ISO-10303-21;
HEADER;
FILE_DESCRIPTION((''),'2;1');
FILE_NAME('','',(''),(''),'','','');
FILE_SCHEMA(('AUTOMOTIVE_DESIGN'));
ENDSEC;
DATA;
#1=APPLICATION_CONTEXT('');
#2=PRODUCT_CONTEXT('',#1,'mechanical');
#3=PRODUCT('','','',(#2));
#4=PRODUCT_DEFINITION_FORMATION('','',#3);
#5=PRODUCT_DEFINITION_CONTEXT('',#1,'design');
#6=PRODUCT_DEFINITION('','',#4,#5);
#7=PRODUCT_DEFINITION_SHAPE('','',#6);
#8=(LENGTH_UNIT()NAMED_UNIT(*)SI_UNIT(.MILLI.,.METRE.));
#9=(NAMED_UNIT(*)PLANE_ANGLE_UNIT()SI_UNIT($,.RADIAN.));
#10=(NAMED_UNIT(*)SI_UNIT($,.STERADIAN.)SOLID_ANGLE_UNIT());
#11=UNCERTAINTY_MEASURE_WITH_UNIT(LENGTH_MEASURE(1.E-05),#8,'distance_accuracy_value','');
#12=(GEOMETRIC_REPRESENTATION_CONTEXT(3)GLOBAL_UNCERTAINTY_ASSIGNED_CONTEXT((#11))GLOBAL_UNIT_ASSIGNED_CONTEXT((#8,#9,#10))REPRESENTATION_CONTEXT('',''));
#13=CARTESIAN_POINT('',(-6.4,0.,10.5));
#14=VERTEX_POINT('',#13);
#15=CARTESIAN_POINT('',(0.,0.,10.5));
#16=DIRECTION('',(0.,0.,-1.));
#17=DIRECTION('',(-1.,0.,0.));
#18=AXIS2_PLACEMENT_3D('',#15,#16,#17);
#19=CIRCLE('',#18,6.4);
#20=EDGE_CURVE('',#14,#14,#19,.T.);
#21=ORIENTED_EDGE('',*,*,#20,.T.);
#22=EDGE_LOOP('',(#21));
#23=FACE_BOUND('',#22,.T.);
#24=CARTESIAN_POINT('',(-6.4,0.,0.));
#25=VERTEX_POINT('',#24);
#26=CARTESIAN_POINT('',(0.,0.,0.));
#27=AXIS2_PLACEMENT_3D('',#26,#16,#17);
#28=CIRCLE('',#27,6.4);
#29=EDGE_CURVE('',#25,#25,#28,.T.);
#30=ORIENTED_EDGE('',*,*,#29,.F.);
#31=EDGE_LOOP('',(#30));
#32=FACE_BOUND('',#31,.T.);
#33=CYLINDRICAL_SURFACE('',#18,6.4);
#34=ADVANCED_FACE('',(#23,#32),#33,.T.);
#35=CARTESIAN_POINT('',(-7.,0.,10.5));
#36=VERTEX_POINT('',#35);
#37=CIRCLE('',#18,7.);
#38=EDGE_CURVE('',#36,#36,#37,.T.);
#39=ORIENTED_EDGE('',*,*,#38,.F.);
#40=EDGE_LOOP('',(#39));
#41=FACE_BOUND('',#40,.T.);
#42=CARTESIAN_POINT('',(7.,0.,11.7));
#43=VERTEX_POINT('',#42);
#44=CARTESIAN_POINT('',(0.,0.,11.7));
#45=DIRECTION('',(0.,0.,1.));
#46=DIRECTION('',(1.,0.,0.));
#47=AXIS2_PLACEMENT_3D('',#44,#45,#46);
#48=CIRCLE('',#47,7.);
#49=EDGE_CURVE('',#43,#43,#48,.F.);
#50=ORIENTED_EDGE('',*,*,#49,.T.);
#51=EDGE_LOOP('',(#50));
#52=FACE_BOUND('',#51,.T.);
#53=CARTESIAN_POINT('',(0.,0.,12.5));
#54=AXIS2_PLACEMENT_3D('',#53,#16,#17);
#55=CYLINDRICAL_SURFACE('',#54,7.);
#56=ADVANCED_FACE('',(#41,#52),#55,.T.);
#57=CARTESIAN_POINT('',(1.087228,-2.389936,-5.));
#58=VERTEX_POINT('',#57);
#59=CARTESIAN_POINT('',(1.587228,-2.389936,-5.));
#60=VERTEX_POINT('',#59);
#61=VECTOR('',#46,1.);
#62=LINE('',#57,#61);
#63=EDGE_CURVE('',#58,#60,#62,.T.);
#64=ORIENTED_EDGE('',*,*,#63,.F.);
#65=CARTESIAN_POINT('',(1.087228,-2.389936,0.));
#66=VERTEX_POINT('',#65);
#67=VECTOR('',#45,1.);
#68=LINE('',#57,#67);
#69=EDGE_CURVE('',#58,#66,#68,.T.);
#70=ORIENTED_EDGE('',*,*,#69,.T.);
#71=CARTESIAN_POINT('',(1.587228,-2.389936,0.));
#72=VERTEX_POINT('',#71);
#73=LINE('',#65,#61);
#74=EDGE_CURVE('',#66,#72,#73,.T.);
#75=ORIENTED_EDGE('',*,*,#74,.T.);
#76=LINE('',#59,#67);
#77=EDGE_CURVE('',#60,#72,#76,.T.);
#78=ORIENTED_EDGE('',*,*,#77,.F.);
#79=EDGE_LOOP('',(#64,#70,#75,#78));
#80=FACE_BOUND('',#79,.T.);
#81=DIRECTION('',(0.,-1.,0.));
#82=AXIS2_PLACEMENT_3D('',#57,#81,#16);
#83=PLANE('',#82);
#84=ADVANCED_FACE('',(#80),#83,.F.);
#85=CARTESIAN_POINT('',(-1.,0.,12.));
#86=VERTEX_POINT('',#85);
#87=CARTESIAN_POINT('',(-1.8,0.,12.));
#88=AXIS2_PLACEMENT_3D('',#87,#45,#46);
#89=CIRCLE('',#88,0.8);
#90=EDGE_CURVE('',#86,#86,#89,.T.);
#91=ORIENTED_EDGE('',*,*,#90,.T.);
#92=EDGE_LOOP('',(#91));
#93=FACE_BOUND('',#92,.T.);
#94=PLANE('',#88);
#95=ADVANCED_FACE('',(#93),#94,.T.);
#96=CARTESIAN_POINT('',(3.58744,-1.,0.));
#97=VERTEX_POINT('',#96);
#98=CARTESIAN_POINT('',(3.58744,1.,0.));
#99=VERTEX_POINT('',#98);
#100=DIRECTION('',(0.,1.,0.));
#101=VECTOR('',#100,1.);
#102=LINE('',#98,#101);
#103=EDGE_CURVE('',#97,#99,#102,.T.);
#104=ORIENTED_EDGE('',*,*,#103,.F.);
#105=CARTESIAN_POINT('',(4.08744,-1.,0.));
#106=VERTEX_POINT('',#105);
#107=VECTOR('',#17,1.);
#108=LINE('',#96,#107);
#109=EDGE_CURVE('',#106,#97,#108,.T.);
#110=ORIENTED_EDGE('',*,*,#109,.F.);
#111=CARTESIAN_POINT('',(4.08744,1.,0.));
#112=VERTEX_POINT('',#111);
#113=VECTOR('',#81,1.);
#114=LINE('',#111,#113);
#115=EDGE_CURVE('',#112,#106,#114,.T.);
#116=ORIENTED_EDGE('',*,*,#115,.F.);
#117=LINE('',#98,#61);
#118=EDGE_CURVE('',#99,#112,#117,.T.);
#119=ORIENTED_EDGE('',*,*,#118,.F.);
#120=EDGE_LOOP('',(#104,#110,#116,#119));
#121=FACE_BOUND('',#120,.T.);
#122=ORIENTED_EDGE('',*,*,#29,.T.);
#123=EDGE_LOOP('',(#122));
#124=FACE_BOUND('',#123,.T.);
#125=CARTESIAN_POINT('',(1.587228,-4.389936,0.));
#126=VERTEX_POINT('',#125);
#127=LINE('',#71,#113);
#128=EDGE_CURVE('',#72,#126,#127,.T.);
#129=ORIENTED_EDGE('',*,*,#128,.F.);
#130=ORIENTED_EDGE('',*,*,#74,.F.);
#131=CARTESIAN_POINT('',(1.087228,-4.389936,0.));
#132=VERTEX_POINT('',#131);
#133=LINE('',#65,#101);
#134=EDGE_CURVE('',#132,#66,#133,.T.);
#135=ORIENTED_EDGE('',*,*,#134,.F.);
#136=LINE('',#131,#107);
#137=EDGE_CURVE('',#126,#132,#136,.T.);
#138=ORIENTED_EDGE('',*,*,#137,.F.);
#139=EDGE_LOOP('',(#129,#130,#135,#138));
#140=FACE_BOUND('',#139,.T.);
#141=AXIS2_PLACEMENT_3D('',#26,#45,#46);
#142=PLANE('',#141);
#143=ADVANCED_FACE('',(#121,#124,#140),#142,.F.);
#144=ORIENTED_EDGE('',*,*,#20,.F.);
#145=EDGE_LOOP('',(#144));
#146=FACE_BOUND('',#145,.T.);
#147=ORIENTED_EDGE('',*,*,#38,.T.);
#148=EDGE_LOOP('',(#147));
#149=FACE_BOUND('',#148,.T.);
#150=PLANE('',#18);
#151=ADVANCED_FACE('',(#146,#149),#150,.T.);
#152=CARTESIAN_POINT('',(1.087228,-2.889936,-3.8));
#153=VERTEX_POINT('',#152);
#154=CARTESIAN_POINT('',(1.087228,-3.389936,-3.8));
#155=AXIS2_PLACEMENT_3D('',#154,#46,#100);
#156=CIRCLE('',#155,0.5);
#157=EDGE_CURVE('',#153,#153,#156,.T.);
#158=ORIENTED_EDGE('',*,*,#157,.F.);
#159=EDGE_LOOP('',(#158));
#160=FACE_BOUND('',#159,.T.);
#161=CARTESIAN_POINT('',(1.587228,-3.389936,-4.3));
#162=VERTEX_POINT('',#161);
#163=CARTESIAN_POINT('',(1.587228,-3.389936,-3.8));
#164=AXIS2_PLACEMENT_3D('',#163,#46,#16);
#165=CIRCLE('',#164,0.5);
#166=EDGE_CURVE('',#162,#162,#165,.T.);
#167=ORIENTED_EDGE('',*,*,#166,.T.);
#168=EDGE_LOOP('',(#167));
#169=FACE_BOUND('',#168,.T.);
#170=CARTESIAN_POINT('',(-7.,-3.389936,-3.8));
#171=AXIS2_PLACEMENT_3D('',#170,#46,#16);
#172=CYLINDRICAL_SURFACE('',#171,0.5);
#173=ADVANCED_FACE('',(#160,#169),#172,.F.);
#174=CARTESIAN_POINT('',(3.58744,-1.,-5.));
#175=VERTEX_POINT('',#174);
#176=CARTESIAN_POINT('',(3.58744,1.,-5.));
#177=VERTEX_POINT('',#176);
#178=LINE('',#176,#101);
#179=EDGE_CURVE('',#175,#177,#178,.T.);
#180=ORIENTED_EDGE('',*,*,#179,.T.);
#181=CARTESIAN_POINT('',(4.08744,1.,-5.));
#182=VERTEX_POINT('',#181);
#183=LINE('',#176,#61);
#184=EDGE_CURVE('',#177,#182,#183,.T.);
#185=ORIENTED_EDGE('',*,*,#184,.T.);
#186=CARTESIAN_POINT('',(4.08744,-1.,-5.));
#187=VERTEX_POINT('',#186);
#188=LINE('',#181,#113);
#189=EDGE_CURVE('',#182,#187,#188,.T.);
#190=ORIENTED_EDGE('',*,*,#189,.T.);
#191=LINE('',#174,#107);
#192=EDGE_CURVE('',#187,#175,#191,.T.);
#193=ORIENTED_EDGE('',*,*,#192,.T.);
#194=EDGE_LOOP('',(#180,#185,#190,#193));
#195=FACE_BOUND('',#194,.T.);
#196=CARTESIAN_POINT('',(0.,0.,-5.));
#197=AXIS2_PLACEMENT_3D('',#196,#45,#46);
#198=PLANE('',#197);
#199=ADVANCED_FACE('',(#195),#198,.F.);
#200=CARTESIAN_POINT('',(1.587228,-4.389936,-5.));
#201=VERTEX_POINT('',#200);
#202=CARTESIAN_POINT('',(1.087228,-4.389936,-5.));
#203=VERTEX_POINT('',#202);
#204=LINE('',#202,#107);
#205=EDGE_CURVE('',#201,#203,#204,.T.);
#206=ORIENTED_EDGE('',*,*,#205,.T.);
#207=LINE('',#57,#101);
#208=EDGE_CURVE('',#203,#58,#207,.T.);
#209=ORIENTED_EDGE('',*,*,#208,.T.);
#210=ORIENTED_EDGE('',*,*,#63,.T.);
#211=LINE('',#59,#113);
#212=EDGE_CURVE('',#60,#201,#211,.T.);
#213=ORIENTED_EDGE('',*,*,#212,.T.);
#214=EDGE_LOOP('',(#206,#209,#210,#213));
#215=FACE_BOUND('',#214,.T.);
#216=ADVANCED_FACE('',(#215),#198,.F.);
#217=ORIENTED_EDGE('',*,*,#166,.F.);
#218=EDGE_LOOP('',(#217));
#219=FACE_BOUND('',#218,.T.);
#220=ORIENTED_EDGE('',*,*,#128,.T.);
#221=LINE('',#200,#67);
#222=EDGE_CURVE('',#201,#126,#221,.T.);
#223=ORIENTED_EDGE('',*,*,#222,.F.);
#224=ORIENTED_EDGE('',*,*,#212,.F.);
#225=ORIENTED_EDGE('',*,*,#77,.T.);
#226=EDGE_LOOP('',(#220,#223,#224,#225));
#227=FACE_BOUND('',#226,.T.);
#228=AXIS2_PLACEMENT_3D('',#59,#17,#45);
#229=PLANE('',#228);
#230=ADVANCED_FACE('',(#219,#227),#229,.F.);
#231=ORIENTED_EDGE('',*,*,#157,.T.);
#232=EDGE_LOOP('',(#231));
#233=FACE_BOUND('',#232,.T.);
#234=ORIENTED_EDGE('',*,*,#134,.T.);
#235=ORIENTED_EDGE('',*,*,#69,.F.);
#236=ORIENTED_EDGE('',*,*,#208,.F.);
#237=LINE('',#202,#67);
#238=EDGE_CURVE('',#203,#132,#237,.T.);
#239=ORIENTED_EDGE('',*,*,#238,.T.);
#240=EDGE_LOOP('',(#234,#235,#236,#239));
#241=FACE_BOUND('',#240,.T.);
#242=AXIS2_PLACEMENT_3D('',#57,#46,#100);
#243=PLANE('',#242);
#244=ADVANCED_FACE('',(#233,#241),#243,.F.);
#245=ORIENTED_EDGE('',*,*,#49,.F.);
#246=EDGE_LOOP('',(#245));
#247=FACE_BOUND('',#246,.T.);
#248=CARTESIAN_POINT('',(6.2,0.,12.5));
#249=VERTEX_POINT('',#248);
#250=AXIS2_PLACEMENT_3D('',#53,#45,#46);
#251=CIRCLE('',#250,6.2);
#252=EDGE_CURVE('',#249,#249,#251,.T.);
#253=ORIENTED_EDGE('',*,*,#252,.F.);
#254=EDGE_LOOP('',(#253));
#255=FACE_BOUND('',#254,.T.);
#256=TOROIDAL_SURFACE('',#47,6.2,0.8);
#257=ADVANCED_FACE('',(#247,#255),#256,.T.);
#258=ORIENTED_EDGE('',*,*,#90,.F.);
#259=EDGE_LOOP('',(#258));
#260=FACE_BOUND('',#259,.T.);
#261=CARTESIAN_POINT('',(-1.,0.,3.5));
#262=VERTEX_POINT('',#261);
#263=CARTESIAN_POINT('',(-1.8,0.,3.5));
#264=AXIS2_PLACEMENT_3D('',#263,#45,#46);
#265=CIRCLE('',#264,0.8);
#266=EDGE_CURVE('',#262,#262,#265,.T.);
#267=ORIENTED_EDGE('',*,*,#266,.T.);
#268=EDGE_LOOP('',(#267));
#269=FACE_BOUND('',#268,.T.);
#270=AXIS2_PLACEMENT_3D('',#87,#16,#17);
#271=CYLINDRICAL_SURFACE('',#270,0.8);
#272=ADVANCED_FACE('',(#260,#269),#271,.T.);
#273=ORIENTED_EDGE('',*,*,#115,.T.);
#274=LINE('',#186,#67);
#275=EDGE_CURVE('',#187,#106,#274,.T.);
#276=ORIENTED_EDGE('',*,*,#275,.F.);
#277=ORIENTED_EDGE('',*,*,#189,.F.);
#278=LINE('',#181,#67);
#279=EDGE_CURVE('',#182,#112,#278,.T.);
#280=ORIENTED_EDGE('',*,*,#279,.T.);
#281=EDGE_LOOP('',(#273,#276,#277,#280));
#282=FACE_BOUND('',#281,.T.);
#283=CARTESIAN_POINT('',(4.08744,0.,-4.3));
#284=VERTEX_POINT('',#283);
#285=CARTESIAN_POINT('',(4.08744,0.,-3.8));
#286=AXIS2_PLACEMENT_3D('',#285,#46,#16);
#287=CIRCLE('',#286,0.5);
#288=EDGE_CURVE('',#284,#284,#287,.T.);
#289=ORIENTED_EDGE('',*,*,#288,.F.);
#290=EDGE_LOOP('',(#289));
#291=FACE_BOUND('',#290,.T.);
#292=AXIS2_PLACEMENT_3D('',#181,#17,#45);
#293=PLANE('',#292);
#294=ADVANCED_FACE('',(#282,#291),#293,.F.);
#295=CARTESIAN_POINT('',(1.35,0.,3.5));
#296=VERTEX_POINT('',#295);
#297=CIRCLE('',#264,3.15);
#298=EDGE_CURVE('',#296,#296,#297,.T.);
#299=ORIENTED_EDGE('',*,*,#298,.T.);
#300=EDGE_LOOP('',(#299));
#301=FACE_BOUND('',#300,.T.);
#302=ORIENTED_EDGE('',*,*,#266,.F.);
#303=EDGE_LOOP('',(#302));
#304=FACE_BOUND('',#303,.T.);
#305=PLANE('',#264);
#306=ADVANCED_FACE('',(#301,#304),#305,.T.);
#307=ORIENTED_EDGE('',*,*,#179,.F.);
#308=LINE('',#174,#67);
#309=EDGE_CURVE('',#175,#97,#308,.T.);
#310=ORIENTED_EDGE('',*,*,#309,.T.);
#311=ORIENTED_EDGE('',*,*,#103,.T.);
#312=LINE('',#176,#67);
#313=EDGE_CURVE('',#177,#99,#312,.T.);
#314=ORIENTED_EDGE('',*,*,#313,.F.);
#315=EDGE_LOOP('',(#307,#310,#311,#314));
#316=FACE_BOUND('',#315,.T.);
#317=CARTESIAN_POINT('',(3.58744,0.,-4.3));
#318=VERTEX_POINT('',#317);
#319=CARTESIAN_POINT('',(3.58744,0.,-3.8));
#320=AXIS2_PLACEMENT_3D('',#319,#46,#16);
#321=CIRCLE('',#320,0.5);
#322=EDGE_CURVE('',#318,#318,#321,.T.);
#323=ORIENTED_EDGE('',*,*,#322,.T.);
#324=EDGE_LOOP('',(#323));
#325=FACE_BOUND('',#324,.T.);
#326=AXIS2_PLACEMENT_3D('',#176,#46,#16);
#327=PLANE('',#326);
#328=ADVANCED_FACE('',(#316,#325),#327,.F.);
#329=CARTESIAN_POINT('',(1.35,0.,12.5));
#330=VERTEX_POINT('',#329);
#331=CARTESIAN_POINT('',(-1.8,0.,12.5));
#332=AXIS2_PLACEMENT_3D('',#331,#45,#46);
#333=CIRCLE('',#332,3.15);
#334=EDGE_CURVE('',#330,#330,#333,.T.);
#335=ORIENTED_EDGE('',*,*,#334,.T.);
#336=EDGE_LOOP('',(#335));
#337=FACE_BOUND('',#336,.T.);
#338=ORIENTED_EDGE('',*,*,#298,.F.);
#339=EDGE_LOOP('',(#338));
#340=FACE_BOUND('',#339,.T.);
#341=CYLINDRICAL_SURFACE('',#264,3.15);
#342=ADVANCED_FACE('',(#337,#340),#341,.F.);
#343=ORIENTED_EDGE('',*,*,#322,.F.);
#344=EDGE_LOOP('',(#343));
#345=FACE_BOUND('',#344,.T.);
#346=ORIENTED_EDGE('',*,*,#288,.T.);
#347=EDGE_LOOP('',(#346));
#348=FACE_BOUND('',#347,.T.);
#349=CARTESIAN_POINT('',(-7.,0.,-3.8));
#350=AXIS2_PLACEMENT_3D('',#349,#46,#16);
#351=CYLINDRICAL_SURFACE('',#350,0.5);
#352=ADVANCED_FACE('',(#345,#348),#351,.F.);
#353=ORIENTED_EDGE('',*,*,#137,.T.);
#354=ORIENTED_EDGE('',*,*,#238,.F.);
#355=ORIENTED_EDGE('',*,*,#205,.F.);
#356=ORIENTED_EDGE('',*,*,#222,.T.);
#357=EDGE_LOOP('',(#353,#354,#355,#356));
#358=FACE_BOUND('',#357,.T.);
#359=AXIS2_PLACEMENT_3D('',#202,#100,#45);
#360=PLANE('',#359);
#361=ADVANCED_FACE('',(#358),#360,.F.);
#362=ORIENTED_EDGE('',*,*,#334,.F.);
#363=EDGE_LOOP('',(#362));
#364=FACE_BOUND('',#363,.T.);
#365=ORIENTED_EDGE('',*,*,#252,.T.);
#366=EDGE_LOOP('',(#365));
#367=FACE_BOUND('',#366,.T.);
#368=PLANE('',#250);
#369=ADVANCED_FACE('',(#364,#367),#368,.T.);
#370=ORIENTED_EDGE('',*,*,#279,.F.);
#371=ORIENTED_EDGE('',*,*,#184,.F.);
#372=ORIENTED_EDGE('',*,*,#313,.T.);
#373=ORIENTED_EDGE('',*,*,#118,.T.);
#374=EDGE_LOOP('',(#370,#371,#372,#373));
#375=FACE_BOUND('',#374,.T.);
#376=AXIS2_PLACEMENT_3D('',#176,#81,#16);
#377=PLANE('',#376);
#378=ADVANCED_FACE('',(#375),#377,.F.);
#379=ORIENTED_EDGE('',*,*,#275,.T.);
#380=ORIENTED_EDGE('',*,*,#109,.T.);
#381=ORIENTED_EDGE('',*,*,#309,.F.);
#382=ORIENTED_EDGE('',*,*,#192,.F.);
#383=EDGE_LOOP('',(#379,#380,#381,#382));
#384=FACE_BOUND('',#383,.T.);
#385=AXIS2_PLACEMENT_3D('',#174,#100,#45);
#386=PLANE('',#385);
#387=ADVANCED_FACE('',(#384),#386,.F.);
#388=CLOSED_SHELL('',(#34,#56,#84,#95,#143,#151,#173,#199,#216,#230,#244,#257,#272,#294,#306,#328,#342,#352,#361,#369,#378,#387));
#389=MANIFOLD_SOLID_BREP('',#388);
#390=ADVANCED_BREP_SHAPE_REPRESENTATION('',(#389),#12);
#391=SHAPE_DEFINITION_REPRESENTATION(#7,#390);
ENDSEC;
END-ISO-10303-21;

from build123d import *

# Parameters (mm, degrees)
ESQUISSE1_R             = 7
BOSS_EXTRU_1_DEPTH      = 12.5
ESQUISSE2_R             = 7
ESQUISSE2_R_2           = 6.4
ENL_V_MAT_EXTRU_1_DEPTH = 10.5
ESQUISSE4_R             = 3.15
ENL_V_MAT_EXTRU_3_DEPTH = 9
ESQUISSE5_R             = 0.8
BOSS_EXTRU_2_DEPTH      = 8.5
ESQUISSE6_W             = 0.5
ESQUISSE6_H             = 2
BOSS_EXTRU_3_DEPTH      = 5
ESQUISSE7_R             = 0.5
ENL_V_MAT_EXTRU_4_DEPTH = 9.587227572
ESQUISSE8_R             = 0.5
ENL_V_MAT_EXTRU_5_DEPTH = 12.087439586
CONG_7_R                = 0.8


with BuildPart() as part:
    # Esquisse1 → Boss.-Extru.1 (new body)
    with BuildSketch(Plane.XY):
        Circle(ESQUISSE1_R)
    extrude(amount=BOSS_EXTRU_1_DEPTH)

    # Esquisse2 → Enlèv. mat.-Extru.1 (cut)
    with BuildSketch(Plane(origin=(0, 0, 0), x_dir=(-1, 0, 0), z_dir=(0, 0, -1))):
        Circle(ESQUISSE2_R)
        Circle(ESQUISSE2_R_2, mode=Mode.SUBTRACT)
    extrude(amount=-ENL_V_MAT_EXTRU_1_DEPTH, mode=Mode.SUBTRACT)

    # Esquisse4 → Enlèv. mat.-Extru.3 (cut)
    with BuildSketch(Plane.XY.offset(12.5)):
        with Locations((-1.8, 0)):
            Circle(ESQUISSE4_R)
    extrude(amount=-ENL_V_MAT_EXTRU_3_DEPTH, mode=Mode.SUBTRACT)

    # Esquisse5 → Boss.-Extru.2 (add)
    with BuildSketch(Plane.XY.offset(3.5)):
        with Locations((-1.8, 0)):
            Circle(ESQUISSE5_R)
    extrude(amount=BOSS_EXTRU_2_DEPTH)

    # Esquisse6 → Boss.-Extru.3 (add)
    with BuildSketch(Plane(origin=(0, 0, 0), x_dir=(-1, 0, 0), z_dir=(0, 0, -1))):
        with Locations((-3.837439586, 0)):
            Rectangle(ESQUISSE6_W, ESQUISSE6_H)
        with Locations((-1.337227572, -3.389935619)):
            Rectangle(ESQUISSE6_W, ESQUISSE6_H)
    extrude(amount=BOSS_EXTRU_3_DEPTH)

    # Esquisse7 → Enlèv. mat.-Extru.4 (cut, through all)
    with BuildSketch(Plane(origin=(1.587227572, 0, 0), x_dir=(0, 0, -1), z_dir=(1, 0, 0))):
        with Locations((3.8, -3.389935619)):
            Circle(ESQUISSE7_R)
    extrude(amount=-ENL_V_MAT_EXTRU_4_DEPTH, mode=Mode.SUBTRACT)

    # Esquisse8 → Enlèv. mat.-Extru.5 (cut, through all)
    with BuildSketch(Plane(origin=(4.087439586, 0, 0), x_dir=(0, 0, -1), z_dir=(1, 0, 0))):
        with Locations((3.8, 0)):
            Circle(ESQUISSE8_R)
    extrude(amount=-ENL_V_MAT_EXTRU_5_DEPTH, mode=Mode.SUBTRACT)

    # Congé7
    cong_7_edges = [part.edges().sort_by_distance(p)[0] for p in [
        (-7, 0, 12.5),
    ]]
    fillet(cong_7_edges, radius=CONG_7_R)


solid = part.part
